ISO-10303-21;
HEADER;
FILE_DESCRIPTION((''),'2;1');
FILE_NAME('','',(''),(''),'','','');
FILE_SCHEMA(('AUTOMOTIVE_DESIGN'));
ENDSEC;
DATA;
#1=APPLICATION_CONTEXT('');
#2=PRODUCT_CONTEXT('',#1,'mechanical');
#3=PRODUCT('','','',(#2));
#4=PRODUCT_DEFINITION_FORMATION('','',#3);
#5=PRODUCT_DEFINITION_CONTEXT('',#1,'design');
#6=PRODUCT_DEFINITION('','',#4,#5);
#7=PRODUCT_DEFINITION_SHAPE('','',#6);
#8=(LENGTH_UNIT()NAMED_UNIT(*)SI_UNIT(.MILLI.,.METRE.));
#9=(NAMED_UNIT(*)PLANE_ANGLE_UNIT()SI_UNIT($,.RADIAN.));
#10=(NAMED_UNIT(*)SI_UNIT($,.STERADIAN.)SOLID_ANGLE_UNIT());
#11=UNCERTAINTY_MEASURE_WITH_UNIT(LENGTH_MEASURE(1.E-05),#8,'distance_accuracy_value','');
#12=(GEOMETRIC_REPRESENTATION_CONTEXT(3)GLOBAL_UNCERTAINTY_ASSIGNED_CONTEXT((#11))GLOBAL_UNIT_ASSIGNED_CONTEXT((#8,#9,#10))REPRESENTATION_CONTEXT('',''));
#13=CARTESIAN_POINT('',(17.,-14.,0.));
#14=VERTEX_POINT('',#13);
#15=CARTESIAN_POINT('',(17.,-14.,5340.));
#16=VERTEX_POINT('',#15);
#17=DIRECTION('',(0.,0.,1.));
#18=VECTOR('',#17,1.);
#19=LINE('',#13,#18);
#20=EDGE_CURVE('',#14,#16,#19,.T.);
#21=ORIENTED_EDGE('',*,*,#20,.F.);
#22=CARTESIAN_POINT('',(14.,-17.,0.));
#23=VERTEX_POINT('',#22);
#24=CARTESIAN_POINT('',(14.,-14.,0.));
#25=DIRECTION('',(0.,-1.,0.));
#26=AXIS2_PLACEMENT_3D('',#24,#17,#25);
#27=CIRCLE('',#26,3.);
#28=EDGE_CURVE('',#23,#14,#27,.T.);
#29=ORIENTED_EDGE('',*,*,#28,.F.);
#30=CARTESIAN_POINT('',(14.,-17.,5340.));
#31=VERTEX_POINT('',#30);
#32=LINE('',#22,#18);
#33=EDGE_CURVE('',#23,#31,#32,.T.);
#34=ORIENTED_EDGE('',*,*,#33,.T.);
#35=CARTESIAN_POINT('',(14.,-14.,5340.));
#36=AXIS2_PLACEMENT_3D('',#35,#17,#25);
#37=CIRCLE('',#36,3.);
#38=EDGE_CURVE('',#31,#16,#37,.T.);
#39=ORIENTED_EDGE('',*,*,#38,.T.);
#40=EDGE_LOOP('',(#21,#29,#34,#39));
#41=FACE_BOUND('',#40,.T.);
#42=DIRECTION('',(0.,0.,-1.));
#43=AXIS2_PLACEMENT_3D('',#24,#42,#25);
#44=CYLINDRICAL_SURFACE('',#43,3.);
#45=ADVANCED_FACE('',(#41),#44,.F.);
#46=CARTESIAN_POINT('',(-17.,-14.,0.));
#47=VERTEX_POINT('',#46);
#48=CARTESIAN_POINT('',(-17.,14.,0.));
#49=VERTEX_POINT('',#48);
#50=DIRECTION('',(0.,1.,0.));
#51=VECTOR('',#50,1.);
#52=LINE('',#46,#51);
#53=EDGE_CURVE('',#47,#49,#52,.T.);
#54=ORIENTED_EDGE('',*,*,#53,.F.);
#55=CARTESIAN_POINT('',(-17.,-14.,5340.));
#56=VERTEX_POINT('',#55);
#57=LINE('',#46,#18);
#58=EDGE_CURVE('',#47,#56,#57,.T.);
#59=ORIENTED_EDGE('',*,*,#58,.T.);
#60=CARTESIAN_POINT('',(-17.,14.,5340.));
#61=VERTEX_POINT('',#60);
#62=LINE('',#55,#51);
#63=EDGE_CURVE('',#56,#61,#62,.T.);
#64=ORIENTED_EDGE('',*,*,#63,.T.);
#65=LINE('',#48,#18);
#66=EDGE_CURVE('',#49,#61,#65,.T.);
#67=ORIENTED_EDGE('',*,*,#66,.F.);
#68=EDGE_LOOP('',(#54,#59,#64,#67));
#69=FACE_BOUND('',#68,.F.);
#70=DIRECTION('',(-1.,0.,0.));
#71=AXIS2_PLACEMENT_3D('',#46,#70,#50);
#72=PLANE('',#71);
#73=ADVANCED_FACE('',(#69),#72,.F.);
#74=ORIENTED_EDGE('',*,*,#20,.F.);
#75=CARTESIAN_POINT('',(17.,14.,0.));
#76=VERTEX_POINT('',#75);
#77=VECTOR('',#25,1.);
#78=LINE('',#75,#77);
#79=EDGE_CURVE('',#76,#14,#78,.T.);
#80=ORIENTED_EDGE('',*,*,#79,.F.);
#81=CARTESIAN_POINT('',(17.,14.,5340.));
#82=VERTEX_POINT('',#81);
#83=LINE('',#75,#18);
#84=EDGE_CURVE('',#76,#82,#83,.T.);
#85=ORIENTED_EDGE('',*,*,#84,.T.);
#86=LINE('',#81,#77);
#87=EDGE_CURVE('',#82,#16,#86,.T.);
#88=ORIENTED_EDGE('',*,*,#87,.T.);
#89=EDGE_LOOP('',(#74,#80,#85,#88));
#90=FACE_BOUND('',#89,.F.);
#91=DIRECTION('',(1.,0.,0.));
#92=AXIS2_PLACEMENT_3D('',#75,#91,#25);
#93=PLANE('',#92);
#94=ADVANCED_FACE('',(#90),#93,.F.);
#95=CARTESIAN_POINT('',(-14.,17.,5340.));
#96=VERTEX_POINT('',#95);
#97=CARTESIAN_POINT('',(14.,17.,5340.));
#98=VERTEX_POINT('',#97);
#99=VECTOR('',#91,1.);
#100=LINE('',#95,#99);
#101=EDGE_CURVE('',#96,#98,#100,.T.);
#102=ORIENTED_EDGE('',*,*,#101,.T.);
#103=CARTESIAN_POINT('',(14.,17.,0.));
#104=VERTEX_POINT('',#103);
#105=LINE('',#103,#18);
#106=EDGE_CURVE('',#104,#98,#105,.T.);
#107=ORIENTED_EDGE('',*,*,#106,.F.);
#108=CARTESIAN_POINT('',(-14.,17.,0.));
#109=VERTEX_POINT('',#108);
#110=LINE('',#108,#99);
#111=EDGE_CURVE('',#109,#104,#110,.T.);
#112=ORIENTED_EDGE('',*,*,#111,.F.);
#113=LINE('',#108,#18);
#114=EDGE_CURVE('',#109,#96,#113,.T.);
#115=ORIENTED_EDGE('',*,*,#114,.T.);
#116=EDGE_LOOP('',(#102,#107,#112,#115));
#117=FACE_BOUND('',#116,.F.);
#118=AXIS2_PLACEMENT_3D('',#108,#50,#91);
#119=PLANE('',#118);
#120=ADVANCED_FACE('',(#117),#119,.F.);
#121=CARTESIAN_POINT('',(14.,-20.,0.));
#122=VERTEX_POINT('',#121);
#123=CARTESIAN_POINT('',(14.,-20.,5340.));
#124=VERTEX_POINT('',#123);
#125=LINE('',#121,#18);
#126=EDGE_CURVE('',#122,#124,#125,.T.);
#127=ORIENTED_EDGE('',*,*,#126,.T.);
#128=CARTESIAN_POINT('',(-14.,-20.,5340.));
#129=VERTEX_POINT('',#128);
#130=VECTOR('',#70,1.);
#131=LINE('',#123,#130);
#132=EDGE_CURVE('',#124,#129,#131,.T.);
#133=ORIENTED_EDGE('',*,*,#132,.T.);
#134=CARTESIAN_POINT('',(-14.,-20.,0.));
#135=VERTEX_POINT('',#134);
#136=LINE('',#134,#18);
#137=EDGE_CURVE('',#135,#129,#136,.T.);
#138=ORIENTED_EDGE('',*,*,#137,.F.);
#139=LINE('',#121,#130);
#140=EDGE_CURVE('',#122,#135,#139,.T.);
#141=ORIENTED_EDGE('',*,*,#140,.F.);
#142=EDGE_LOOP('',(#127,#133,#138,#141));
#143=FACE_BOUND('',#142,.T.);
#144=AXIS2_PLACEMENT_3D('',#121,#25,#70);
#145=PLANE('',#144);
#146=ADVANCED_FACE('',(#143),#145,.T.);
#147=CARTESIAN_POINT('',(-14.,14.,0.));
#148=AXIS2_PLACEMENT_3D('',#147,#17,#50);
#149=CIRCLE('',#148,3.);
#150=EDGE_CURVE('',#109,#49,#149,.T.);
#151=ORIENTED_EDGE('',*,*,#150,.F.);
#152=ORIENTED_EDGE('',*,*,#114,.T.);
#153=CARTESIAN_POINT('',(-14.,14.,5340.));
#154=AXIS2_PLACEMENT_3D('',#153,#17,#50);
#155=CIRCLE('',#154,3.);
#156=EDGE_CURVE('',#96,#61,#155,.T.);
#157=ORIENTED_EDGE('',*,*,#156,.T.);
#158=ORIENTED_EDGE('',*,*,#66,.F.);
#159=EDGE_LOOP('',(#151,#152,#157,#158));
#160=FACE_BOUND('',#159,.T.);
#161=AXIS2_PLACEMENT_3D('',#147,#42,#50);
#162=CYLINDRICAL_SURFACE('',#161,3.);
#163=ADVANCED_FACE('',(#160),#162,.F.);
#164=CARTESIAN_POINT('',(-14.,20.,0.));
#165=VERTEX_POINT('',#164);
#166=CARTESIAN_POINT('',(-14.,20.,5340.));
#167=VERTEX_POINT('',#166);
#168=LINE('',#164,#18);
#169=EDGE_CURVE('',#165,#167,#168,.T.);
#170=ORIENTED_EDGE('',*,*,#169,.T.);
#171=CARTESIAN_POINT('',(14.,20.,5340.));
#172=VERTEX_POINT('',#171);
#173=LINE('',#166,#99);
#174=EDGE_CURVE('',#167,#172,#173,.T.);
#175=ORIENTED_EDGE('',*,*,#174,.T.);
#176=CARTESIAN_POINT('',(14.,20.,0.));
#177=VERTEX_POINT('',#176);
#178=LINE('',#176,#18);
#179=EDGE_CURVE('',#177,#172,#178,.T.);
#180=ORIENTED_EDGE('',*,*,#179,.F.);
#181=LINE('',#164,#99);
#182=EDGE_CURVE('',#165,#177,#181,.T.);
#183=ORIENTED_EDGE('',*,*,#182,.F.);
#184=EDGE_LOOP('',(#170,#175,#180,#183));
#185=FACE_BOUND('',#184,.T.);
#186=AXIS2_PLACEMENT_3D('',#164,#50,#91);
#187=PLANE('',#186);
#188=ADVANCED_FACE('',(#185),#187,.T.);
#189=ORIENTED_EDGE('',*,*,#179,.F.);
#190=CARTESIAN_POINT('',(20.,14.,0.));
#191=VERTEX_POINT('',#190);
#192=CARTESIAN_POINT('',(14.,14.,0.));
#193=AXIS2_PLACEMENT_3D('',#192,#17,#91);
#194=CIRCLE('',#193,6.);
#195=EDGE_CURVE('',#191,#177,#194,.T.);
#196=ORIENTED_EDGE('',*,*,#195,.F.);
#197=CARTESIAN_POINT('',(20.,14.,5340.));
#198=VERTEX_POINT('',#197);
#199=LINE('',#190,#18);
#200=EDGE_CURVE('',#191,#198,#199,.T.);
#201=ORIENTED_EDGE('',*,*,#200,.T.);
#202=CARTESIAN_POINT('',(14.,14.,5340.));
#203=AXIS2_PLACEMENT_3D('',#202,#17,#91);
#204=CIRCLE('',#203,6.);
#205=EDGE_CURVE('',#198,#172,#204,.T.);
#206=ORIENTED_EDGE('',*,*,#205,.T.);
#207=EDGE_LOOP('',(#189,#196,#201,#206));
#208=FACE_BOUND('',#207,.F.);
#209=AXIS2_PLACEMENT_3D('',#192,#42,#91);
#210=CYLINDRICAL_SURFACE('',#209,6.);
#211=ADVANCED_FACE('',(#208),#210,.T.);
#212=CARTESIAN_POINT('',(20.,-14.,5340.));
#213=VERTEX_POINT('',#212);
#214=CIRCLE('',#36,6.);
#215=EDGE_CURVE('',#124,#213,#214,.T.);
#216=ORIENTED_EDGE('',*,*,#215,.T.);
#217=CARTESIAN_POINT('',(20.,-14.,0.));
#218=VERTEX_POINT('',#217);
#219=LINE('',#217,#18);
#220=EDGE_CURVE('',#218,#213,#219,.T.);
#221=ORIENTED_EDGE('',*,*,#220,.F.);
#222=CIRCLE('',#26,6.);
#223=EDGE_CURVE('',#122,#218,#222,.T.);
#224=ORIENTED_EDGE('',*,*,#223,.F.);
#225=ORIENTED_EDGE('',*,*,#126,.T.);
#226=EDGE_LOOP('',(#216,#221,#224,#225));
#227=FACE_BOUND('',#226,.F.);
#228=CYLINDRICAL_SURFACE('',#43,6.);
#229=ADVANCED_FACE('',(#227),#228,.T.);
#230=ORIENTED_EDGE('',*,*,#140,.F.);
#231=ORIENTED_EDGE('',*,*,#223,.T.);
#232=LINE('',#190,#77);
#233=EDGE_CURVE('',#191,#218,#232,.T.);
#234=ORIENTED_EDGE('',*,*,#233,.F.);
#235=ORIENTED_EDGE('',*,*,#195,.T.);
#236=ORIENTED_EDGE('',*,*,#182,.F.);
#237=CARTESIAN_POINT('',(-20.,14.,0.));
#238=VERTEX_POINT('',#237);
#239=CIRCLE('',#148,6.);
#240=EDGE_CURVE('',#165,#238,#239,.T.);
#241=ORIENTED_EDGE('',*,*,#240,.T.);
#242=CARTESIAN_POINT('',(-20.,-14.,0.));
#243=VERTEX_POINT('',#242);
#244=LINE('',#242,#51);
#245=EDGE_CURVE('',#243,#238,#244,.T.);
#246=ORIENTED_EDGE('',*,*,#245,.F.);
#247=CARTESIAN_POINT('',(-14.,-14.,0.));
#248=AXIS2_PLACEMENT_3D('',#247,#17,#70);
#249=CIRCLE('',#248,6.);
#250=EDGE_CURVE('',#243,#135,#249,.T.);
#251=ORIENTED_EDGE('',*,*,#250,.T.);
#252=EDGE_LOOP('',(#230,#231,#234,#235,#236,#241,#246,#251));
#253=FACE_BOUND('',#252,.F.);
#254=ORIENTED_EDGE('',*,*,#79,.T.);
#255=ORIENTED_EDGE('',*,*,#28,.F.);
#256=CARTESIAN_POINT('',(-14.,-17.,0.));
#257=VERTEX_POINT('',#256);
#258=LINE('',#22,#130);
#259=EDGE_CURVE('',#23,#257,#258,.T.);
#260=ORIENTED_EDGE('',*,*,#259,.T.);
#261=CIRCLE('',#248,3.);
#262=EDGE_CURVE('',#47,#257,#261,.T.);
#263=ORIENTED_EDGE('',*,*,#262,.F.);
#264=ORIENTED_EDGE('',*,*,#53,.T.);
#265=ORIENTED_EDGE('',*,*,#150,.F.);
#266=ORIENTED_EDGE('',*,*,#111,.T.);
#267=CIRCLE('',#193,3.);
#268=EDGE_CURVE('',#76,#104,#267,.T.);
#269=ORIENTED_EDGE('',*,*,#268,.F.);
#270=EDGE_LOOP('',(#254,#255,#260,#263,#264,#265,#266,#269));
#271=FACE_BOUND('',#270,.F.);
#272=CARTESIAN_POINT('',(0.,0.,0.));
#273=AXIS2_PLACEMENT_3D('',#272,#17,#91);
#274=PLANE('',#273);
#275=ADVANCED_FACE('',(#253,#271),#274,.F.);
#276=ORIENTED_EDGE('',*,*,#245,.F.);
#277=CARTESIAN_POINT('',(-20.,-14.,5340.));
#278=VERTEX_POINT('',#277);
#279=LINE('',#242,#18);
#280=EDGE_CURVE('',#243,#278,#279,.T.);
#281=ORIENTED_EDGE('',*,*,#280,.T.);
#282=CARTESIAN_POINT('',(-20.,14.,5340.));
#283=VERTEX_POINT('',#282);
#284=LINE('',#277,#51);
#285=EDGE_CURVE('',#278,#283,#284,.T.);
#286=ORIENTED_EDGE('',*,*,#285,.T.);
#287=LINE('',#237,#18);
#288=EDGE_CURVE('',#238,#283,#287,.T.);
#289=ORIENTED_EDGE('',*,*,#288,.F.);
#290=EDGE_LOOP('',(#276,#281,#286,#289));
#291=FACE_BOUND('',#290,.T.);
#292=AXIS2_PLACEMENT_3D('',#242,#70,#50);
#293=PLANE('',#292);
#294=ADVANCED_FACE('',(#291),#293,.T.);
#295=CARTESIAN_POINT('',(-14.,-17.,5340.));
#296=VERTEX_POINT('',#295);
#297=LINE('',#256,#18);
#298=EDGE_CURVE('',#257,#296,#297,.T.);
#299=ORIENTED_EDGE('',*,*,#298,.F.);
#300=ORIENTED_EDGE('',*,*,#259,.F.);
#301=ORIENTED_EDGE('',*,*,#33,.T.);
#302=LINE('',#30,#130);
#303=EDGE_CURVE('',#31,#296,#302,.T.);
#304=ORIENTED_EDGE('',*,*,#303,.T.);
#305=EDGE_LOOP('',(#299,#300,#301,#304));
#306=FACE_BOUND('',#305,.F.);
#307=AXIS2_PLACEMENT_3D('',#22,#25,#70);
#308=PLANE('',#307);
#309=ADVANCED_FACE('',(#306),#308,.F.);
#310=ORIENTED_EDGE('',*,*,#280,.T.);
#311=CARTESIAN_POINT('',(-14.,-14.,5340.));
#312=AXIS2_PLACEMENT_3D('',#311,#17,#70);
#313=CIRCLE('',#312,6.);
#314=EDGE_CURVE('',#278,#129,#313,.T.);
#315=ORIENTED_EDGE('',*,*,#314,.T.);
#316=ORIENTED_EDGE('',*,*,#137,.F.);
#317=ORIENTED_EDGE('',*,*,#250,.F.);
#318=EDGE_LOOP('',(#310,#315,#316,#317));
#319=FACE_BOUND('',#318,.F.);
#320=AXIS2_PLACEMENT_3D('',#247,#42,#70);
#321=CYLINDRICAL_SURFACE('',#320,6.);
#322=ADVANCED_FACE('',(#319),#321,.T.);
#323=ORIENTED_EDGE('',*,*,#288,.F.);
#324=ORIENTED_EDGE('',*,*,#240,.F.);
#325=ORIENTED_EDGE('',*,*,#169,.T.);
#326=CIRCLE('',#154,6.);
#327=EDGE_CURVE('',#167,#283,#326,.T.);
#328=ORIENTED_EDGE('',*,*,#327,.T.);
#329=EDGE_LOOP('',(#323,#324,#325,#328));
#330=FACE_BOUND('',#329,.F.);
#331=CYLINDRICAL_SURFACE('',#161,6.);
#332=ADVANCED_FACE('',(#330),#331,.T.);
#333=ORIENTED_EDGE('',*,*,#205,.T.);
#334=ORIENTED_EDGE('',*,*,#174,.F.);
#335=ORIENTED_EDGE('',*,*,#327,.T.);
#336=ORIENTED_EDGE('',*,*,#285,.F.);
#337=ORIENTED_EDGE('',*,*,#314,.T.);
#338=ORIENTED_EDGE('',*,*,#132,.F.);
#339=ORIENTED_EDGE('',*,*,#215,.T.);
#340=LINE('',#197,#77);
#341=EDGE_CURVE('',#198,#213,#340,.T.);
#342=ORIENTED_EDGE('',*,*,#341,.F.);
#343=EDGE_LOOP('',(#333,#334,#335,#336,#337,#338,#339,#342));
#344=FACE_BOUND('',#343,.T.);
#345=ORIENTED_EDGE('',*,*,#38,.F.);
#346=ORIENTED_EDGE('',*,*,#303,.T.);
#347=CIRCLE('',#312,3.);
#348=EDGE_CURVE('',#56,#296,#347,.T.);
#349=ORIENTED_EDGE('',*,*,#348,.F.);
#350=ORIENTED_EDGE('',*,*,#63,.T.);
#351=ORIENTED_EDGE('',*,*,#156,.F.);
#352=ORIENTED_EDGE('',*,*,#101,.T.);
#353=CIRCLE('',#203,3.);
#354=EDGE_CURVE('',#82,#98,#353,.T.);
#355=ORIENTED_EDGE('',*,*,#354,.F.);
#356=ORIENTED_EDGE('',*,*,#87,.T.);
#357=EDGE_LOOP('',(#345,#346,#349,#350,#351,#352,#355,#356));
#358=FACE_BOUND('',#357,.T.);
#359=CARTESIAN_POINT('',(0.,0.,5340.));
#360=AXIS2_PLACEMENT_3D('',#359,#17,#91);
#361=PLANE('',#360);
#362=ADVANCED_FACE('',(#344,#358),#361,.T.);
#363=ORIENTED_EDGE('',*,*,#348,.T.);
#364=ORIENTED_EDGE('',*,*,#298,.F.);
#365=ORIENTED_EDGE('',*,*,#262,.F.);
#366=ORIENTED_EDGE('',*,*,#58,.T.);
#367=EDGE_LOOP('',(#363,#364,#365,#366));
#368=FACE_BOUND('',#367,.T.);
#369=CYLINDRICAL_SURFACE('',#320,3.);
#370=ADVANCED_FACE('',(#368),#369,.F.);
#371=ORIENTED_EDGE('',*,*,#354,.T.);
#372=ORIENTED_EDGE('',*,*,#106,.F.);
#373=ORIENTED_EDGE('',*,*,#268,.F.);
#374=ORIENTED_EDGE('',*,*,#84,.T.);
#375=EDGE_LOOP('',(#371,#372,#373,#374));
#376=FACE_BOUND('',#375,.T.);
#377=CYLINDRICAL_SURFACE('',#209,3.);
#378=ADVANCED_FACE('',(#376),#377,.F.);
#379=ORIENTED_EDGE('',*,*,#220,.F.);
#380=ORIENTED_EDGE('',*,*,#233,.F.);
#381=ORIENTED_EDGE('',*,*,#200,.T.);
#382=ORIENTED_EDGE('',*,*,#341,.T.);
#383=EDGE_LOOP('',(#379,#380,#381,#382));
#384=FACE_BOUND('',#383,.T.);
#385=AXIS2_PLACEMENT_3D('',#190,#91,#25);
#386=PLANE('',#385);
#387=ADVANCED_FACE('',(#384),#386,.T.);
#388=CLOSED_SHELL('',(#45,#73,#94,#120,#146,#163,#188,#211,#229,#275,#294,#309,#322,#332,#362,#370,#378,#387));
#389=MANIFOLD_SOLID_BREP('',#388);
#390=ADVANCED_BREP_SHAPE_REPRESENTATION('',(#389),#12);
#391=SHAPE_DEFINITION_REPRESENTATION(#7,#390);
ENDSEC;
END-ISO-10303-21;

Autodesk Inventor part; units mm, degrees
ref_plane "YZ Plane" through (0, 0, 0) normal (1, 0, 0) x (0, 1, 0)
ref_plane "Start Plane" through (0, 0, 0) normal (0, 0, 1) x (1, 0, 0)
ref_plane "End Plane" through (0, 0, 5340) normal (0, 0, 1) x (1, 0, 0)
sketch "Sketch" plane through (0, 0, 0) normal (0, 0, 1) x (1, 0, 0)
  line L0 (-20, -14) -> (-20, 14)
  line L1 (-14, 20) -> (14, 20)
  line L2 (20, 14) -> (20, -14)
  line L3 (14, -20) -> (-14, -20)
  arc A0 (-20, -14) -> (-14, -20) centre (-14, -14) ccw
  arc A1 (20, 14) -> (14, 20) centre (14, 14) ccw
  arc A2 (-14, 20) -> (-20, 14) centre (-14, 14) ccw
  arc A3 (14, -20) -> (20, -14) centre (14, -14) ccw
  arc A4 (-14, 17) -> (-17, 14) centre (-14, 14) ccw
  line L4 (-14, 17) -> (14, 17)
  arc A5 (17, 14) -> (14, 17) centre (14, 14) ccw
  line L5 (17, 14) -> (17, -14)
  arc A6 (14, -17) -> (17, -14) centre (14, -14) ccw
  line L6 (14, -17) -> (-14, -17)
  arc A7 (-17, -14) -> (-14, -17) centre (-14, -14) ccw
  line L7 (-17, -14) -> (-17, 14)
  line L8 (0, 29.7397) -> (0, -29.7397) construction
  line L9 (-29.7397, 0) -> (29.7397, 0) construction
  dimension "d7" = 6
  dimension "d9" = 40
  dimension "d11" = 40
  dimension "d12" = 3
  dimension "d15" = 20
  dimension "d16" = 20
extrude "Body" add sketch "Sketch" along normal up to surface (5340 mm away) from surface at 0
sketch "Sketch3" plane through (0, 0, 0) normal (0, 0, 1) x (1, 0, 0)
  line L0 (0, 0) -> (10, 0)
ref_plane "Work Plane3" through (0, 0, 0) normal (0, -1, 0) x (1, 0, 0)
sketch "Sketch4" plane through (0, 0, 0) normal (0, -1, 0) x (1, 0, 0)
  line L0 (-2, 0) -> (12, 0) projected
  line L1 (-2, 5340) -> (12, 5340) projected
  dimension "d18" = 5340
equation "\"d7\" = G_IR"
equation "\"d9\" = G_W"
equation "\"d11\" = G_H"
equation "\"d12\" = G_T"
equation "\"d15\" = 0.5 * d9"
equation "\"d16\" = 0.5 * d11"
equation "\"d3\" = G_L"
equation "\"G_W\" = 40"
equation "\"G_H\" = 40"
equation "\"G_T\" = 3"
equation "\"G_IR\" = 6"
equation "\"G_L\" = d18"
equation "\"G_OFFSET_START\" = 0"
equation "\"G_OFFSET_END\" = 0"
properties part number "ISO 10799-2 - 40x40x3 - 5340" material "Steel, Mild"
